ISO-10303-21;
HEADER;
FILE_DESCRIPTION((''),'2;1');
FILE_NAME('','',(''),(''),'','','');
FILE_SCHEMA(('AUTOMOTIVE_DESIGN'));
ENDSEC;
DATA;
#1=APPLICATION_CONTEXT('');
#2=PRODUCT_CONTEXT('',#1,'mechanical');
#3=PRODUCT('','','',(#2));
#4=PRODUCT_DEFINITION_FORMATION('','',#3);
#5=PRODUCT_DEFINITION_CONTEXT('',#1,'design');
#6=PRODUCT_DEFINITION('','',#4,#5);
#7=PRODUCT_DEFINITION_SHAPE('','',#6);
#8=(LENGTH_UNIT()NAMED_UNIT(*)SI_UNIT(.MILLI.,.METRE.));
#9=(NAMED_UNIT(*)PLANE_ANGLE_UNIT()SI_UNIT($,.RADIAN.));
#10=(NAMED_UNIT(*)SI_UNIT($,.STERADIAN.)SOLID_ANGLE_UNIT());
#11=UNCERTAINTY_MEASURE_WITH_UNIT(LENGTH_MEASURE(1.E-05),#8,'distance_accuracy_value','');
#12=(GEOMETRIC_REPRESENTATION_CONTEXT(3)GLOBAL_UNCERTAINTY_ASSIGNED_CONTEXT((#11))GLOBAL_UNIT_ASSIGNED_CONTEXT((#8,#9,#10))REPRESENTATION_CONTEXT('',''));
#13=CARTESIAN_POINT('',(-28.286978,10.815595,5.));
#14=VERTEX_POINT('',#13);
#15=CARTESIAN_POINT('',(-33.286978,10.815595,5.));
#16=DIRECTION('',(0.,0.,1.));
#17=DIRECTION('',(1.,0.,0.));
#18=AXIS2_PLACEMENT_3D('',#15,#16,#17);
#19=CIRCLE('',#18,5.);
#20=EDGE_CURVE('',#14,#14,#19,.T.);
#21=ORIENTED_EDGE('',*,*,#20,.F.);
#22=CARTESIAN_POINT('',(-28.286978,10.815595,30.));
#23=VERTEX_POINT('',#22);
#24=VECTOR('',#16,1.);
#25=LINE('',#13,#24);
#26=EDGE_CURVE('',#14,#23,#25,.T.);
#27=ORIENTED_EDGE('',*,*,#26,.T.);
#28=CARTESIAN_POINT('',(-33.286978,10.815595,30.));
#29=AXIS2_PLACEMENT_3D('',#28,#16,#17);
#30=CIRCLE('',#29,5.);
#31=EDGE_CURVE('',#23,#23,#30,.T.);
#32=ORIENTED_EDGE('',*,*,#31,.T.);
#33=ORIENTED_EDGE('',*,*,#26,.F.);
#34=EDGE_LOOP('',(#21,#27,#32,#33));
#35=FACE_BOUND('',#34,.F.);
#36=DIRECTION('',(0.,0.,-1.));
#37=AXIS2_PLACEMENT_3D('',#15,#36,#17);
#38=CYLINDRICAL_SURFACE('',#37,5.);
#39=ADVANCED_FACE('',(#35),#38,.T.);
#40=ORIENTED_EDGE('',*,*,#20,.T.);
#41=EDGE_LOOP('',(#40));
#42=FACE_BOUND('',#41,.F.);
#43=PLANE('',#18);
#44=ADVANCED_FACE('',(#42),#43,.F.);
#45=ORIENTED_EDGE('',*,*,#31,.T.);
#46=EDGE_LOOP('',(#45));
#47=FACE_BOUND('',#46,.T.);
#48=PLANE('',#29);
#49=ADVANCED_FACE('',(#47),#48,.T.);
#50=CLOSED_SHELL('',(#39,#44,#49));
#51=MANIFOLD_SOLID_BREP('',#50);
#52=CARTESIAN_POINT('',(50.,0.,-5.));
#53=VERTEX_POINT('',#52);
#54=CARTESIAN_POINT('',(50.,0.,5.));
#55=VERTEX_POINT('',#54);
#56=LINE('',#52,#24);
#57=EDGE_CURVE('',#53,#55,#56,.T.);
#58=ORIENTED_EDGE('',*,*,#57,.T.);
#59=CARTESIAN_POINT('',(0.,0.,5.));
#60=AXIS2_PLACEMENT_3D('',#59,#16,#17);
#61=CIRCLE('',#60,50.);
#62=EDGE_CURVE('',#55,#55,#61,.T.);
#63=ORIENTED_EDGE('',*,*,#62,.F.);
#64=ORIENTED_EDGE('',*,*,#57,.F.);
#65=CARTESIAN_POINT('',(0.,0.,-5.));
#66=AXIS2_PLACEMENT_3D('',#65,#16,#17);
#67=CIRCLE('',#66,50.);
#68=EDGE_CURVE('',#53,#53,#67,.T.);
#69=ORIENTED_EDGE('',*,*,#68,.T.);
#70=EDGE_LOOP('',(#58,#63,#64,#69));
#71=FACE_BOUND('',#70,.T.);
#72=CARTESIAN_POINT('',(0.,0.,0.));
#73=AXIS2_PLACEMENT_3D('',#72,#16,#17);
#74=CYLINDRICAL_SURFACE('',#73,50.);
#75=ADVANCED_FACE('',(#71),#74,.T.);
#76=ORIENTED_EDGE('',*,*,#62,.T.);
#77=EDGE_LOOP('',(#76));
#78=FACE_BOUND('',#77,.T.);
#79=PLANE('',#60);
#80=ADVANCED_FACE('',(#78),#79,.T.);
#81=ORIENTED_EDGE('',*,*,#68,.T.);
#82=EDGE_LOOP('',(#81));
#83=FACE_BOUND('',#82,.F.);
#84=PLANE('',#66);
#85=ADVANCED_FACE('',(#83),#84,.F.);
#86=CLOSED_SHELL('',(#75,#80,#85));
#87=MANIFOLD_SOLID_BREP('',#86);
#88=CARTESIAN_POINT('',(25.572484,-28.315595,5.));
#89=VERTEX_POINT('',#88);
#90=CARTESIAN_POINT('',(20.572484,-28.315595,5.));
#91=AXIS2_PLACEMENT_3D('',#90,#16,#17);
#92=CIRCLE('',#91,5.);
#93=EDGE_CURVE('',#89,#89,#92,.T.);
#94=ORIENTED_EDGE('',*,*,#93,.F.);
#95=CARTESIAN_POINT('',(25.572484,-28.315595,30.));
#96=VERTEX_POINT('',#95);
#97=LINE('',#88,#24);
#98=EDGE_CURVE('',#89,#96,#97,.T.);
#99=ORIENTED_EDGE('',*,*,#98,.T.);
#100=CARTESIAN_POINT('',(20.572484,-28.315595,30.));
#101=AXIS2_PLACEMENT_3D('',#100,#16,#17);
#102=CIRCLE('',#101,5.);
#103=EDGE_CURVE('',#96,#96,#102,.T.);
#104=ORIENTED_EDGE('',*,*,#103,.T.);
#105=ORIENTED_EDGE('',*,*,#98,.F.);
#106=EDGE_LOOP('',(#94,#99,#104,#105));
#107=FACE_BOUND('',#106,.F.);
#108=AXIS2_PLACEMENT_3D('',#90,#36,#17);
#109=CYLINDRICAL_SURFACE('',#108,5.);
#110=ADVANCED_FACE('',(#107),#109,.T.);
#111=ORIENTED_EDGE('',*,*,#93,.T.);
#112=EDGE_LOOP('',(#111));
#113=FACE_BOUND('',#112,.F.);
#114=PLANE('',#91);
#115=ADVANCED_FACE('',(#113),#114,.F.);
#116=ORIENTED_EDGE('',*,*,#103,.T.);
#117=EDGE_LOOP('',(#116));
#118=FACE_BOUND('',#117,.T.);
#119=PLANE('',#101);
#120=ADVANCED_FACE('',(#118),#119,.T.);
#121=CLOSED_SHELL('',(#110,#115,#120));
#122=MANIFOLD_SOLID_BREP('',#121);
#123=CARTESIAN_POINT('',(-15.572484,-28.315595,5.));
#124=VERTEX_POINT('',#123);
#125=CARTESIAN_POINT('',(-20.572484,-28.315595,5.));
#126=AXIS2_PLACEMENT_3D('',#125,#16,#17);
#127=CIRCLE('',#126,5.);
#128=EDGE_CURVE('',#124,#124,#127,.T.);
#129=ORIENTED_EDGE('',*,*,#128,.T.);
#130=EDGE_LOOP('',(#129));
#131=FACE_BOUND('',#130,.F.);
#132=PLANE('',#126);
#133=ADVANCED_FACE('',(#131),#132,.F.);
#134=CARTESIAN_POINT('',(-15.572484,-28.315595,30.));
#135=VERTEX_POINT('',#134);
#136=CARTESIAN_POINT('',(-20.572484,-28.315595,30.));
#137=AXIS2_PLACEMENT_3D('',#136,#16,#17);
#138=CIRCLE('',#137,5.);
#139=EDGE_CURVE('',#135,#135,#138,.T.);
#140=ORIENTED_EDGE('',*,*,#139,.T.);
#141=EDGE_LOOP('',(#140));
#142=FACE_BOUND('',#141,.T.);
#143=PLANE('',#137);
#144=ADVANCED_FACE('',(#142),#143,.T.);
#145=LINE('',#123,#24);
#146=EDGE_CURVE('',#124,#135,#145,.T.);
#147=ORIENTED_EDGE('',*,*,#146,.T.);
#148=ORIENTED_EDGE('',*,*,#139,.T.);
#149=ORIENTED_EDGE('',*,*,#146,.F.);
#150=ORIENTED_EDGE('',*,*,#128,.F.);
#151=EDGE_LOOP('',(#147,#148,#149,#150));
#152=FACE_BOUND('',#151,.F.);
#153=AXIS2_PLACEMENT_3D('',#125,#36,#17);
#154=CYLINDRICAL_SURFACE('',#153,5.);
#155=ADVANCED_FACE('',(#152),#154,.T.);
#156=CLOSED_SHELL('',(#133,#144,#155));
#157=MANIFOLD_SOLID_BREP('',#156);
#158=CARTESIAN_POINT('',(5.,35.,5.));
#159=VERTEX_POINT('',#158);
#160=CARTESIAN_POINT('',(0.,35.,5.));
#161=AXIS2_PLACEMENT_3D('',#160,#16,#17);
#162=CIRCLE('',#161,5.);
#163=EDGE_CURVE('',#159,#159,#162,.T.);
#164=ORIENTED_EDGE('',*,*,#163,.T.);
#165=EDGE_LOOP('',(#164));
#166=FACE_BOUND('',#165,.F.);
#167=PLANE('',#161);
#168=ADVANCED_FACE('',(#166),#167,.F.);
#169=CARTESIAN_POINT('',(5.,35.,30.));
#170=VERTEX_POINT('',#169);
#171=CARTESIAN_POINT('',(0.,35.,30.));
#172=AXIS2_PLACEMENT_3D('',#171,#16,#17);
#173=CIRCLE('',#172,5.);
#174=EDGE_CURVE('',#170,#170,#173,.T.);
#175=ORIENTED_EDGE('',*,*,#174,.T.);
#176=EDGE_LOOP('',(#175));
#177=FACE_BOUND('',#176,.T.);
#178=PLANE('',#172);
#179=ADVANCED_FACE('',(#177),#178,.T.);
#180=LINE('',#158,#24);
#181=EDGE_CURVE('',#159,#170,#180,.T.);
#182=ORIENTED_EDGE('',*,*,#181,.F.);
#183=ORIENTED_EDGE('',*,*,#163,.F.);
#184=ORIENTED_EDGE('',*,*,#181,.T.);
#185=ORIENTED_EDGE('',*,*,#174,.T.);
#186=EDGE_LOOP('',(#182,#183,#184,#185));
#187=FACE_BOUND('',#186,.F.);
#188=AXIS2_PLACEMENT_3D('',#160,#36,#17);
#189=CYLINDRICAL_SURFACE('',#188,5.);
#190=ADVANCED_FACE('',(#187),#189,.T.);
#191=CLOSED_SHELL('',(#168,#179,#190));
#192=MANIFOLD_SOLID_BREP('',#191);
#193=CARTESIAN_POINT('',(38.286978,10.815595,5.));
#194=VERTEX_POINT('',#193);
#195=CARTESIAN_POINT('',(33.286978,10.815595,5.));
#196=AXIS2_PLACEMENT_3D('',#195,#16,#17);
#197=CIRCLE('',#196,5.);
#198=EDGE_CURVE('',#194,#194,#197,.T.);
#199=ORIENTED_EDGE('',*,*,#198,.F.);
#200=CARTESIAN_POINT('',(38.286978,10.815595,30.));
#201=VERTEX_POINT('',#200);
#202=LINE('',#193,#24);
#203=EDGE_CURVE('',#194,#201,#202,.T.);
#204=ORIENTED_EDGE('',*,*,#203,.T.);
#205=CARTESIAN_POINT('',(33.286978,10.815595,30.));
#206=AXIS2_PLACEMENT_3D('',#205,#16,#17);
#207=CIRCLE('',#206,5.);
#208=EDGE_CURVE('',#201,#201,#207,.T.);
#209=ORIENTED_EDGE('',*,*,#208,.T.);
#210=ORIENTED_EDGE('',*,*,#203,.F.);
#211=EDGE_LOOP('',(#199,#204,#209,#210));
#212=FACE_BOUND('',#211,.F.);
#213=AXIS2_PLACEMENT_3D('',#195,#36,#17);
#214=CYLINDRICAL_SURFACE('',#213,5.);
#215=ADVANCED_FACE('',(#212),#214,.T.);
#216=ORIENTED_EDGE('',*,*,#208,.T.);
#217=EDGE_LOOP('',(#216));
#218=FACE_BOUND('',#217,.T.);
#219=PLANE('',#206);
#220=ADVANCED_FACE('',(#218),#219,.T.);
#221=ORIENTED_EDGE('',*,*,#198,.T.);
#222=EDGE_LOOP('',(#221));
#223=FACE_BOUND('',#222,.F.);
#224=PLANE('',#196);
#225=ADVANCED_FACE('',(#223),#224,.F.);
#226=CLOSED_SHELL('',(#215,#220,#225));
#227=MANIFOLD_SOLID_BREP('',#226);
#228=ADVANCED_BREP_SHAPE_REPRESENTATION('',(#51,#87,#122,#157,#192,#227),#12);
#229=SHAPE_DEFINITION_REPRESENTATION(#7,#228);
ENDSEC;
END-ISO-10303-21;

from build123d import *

# Parameters (mm, degrees)
F0_R     = 50
F1_DEPTH = 5
F2_R     = 5
F3_DEPTH = 25


with BuildPart() as f1:
    # F0 (on Top) → F1 (new body, symmetric)
    with BuildSketch(Plane.XY):
        Circle(F0_R)
    extrude(amount=F1_DEPTH, both=True)


with BuildPart() as f3:
    # F2 (on face) → F3 (new body)
    with BuildSketch(Plane.XY.offset(5)):
        with Locations((0, 35)):
            Circle(F2_R)
        with Locations((-33.286978, 10.815595)):
            Circle(F2_R)
        with Locations((-20.572484, -28.315595)):
            Circle(F2_R)
        with Locations((20.572484, -28.315595)):
            Circle(F2_R)
        with Locations((33.286978, 10.815595)):
            Circle(F2_R)
    extrude(amount=F3_DEPTH)


solid = Compound([f1.part, f3.part])
